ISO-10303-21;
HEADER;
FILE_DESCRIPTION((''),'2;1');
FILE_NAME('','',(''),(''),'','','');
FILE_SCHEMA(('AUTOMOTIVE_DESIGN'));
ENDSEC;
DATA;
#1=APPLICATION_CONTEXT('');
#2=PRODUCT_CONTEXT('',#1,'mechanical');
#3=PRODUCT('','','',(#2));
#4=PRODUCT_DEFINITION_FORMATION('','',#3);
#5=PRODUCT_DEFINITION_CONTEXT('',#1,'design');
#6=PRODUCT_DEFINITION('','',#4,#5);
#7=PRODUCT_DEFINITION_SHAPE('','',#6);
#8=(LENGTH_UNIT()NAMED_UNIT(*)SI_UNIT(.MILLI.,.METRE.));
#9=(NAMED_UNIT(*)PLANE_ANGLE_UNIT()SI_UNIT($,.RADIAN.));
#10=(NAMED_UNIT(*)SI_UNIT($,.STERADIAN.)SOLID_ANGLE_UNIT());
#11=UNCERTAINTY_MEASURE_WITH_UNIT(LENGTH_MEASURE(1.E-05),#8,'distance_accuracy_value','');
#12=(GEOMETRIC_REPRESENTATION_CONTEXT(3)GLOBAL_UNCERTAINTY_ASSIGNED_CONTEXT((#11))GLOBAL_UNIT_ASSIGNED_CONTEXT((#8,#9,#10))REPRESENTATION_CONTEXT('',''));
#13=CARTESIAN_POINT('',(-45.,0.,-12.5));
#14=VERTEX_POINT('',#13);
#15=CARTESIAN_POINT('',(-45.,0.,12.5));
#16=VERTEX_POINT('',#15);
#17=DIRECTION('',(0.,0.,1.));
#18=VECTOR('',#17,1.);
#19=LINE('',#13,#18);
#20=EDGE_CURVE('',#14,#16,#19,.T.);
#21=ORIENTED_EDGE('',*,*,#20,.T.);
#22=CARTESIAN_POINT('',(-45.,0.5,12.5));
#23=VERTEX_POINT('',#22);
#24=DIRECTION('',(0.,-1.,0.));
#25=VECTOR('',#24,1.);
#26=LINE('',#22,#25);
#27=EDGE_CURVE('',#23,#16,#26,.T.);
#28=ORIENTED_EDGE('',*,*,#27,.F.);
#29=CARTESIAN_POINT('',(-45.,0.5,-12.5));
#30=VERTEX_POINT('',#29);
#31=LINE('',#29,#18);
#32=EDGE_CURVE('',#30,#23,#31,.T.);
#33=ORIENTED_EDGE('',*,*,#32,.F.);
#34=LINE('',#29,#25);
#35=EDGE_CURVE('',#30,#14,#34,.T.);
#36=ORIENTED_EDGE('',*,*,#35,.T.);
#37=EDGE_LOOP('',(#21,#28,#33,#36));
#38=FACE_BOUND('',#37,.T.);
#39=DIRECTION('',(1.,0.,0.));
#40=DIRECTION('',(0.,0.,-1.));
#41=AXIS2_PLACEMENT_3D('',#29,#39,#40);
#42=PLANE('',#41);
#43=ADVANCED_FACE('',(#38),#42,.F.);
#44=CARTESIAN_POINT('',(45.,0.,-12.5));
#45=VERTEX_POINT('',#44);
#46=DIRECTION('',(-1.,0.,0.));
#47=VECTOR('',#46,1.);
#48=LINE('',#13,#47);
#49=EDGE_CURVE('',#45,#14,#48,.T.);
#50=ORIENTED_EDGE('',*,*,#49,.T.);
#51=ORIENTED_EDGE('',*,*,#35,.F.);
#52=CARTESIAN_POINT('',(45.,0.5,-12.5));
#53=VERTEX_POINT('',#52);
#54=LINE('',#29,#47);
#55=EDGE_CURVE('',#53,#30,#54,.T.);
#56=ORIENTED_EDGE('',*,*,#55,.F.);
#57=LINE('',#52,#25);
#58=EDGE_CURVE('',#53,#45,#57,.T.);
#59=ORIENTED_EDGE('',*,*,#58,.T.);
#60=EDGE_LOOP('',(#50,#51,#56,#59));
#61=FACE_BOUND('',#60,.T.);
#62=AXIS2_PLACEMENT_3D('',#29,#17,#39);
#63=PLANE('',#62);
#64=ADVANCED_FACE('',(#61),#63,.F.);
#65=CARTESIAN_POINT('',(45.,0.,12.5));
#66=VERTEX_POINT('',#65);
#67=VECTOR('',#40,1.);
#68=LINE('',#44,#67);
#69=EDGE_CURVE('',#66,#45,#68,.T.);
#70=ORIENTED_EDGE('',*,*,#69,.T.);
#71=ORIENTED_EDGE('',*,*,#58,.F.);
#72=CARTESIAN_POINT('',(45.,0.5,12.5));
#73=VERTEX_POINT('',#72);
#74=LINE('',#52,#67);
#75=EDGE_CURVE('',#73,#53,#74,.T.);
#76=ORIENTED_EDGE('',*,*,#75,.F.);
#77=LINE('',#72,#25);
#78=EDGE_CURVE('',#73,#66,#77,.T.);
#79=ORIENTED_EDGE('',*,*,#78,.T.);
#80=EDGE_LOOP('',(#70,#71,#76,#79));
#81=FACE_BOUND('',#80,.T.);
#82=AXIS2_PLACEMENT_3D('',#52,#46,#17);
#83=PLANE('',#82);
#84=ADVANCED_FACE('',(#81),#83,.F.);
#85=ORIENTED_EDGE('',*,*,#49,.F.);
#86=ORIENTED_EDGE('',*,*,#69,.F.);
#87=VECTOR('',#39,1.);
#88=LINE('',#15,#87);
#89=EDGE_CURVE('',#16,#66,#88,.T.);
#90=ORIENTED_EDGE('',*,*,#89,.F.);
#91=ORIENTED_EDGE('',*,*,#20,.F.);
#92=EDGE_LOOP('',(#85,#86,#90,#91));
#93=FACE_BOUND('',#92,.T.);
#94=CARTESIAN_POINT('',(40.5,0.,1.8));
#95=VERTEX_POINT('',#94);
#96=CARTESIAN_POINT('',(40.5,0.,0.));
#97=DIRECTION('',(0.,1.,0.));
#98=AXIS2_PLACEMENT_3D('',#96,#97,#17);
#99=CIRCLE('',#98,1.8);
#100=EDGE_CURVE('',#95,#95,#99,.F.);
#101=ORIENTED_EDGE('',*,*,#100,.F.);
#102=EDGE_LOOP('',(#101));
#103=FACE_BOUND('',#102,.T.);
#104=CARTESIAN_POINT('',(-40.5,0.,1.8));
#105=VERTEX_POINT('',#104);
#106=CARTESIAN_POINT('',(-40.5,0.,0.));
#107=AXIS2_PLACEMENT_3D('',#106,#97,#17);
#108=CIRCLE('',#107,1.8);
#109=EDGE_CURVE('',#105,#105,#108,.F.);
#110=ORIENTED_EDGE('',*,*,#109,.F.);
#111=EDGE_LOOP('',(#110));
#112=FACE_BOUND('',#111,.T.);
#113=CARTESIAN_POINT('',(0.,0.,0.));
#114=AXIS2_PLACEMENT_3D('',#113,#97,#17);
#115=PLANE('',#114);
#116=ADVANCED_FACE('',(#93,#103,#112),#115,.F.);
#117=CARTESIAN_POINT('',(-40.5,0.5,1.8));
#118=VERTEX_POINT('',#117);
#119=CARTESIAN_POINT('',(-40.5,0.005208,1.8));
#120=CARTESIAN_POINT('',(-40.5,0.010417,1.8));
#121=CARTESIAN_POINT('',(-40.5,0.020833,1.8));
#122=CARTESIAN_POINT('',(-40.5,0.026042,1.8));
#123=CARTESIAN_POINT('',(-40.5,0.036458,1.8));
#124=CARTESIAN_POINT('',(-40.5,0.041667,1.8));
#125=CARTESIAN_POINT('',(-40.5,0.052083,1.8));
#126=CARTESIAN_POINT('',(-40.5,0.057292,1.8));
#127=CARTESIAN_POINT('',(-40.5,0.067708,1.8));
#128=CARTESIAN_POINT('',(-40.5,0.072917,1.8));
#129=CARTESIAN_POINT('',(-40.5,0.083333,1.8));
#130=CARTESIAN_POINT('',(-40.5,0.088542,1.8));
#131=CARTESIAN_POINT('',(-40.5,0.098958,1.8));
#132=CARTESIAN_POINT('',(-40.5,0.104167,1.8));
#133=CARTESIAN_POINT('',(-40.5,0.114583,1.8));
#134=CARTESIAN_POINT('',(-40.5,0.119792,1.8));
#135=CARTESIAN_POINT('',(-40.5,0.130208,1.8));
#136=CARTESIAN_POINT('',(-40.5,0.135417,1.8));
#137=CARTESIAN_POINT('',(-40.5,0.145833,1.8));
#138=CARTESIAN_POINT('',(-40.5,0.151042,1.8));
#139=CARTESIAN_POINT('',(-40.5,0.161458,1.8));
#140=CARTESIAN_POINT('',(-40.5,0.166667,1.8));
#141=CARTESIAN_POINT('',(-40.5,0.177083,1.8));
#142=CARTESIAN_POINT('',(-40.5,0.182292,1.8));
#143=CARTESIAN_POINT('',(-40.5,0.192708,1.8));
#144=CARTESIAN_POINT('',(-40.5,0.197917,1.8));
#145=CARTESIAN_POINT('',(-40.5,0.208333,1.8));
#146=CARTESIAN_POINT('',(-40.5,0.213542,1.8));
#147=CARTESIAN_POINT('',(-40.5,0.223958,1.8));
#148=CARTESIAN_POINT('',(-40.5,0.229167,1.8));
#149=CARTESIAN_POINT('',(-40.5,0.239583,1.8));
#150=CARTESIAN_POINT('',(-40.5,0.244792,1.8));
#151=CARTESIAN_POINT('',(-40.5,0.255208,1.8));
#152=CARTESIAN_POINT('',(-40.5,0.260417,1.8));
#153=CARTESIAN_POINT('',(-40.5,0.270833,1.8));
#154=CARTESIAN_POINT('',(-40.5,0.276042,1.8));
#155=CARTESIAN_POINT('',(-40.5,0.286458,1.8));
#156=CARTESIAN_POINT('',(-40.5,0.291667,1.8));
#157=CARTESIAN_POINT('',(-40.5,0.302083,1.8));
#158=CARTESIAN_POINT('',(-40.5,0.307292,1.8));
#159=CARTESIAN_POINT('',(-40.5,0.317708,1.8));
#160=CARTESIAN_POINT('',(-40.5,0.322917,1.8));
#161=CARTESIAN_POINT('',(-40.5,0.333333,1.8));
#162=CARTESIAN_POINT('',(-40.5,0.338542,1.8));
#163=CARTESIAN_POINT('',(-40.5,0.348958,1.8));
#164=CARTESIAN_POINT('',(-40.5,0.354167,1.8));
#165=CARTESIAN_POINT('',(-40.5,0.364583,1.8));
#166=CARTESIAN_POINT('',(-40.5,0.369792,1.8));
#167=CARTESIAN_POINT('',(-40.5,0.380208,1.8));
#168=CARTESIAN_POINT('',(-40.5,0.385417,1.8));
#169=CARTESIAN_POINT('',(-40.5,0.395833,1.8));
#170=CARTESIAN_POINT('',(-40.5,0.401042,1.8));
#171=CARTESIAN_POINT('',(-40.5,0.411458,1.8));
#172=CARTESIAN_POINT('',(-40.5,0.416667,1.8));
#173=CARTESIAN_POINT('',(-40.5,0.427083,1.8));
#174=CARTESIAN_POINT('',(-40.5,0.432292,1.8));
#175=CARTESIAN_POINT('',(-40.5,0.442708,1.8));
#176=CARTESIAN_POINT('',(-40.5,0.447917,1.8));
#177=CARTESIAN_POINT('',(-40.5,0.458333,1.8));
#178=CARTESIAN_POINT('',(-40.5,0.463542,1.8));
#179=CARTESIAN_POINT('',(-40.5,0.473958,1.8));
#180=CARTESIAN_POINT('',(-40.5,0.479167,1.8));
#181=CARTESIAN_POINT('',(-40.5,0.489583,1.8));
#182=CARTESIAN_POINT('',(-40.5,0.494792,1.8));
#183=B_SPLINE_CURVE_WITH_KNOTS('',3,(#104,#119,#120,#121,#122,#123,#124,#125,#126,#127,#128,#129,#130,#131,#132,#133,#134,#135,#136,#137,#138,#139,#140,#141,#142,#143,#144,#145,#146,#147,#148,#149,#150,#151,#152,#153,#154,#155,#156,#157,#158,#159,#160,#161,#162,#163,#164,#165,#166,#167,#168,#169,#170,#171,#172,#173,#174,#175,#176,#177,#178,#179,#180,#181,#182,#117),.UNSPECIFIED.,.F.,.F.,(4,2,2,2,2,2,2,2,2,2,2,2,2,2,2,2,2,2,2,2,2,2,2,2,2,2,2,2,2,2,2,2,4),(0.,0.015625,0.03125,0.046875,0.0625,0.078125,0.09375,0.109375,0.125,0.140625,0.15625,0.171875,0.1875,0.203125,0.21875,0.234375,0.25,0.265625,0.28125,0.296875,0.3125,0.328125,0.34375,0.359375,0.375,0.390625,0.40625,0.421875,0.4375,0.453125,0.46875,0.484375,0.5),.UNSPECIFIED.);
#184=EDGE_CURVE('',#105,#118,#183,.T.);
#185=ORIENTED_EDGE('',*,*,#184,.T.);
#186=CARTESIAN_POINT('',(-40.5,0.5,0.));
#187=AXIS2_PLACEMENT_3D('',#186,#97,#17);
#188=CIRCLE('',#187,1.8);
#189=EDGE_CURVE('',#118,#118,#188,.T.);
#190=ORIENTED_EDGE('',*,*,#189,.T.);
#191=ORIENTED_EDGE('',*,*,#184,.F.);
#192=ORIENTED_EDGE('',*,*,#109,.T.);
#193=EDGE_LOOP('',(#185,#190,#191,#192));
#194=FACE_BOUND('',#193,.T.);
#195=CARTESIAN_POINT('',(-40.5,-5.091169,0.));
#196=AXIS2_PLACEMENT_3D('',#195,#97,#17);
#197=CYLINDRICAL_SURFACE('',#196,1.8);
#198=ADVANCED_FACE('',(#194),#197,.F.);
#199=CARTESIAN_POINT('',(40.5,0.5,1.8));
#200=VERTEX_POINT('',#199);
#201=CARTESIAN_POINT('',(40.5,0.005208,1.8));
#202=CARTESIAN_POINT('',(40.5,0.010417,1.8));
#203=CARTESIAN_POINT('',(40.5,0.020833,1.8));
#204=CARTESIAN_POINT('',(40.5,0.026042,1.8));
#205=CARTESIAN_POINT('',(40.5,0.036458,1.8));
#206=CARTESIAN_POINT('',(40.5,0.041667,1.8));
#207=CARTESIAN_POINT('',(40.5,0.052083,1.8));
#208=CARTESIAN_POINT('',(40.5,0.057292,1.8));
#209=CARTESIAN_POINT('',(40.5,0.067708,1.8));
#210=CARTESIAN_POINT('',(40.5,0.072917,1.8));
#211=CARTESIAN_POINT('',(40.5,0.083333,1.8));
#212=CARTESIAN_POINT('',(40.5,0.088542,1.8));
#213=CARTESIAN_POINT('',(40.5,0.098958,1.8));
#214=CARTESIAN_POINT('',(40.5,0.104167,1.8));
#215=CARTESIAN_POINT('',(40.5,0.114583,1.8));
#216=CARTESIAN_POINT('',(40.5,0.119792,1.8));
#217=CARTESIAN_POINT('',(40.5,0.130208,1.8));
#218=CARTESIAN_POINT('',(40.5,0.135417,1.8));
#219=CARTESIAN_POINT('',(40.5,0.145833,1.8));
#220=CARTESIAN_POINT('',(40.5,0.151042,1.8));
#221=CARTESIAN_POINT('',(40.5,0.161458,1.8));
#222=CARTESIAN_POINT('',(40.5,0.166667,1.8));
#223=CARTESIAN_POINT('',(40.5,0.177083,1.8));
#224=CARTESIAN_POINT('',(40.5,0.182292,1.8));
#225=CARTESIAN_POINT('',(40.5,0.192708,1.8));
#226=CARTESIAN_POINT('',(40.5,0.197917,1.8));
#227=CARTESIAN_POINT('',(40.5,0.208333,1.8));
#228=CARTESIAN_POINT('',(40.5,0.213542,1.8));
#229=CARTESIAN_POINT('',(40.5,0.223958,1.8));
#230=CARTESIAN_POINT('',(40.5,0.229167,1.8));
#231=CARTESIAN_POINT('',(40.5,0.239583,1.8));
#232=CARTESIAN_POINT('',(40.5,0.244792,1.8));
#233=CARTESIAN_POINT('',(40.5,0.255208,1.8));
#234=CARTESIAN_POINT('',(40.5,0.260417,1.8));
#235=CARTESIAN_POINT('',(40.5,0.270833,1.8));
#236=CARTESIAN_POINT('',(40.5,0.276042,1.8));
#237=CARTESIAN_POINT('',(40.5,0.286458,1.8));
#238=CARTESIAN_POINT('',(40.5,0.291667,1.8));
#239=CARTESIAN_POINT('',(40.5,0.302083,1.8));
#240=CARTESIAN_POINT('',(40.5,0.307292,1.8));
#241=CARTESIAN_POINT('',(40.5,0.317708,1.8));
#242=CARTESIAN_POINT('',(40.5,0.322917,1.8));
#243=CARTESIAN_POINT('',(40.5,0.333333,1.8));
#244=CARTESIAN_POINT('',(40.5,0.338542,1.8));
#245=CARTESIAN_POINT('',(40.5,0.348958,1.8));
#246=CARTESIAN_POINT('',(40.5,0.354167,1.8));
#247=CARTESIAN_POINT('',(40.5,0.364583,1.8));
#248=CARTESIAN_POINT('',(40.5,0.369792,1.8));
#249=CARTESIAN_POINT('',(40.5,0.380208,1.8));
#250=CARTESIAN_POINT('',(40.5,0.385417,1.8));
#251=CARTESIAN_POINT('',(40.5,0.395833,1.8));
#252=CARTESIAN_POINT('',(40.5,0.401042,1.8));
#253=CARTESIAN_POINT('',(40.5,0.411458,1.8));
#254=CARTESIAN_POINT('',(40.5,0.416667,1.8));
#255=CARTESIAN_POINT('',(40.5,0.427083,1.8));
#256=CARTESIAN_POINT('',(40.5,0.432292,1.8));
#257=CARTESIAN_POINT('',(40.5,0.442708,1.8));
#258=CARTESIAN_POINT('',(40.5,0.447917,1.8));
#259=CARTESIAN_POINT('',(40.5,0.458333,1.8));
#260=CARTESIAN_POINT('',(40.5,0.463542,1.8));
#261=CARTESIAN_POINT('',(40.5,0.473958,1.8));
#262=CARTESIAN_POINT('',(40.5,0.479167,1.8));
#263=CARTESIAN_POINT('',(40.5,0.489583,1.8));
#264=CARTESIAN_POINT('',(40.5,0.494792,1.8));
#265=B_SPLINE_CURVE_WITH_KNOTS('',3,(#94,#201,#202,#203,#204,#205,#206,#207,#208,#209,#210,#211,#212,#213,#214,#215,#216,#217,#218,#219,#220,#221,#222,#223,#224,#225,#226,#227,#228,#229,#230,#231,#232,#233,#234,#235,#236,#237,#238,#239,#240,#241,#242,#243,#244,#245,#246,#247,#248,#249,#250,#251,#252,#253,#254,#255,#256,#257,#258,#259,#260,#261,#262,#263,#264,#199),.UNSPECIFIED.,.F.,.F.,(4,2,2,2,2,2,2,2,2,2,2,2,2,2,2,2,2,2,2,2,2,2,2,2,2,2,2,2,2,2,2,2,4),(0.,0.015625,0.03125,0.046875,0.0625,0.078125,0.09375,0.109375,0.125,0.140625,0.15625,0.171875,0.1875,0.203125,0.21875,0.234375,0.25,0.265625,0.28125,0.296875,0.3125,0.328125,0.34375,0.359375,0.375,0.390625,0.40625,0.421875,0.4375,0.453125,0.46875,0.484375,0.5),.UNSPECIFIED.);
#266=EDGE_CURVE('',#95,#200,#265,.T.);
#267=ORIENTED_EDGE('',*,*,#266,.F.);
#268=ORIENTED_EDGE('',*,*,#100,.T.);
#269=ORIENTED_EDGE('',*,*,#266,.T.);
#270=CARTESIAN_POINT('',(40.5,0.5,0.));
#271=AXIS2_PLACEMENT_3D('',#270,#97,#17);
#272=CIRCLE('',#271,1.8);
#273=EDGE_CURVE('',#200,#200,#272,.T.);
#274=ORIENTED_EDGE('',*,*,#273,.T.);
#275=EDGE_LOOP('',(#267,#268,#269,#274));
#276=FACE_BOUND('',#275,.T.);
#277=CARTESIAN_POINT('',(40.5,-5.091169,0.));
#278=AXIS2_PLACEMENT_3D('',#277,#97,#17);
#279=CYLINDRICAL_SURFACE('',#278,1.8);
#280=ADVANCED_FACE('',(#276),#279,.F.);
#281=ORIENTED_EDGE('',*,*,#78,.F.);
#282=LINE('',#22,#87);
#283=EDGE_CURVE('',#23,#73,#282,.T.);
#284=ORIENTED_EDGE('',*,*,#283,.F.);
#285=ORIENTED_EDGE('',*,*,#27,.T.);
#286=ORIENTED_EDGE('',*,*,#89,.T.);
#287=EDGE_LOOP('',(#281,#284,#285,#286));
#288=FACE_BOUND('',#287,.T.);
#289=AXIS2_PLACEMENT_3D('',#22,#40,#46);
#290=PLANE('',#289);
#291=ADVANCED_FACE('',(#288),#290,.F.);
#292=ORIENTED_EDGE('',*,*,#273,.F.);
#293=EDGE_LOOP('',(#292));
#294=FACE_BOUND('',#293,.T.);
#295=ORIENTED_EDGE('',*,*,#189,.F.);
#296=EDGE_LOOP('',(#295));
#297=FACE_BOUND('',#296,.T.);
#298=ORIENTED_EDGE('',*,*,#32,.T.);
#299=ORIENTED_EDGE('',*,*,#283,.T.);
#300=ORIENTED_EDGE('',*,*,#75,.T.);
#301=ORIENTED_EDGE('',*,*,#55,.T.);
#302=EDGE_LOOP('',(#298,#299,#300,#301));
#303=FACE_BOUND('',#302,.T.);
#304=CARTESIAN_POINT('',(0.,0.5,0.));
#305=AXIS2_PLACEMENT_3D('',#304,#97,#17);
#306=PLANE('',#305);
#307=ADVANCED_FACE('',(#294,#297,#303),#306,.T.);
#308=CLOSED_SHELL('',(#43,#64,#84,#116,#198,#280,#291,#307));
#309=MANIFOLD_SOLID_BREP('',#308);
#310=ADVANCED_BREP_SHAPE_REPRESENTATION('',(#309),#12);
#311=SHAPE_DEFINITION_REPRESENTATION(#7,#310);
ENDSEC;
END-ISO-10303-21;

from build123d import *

# Parameters (mm, degrees)
CROQUIS1_W              = 90
CROQUIS1_H              = 25
SALIENTE_EXTRUIR1_DEPTH = 0.5
CROQUIS2_R              = 1.8
CORTAR_EXTRUIR1_DEPTH   = 0.5


with BuildPart() as part:
    # Croquis1 → Saliente-Extruir1 (new body)
    with BuildSketch(Plane(origin=(0, 0, 0), x_dir=(1, 0, 0), z_dir=(0, 1, 0))):
        Rectangle(CROQUIS1_W, CROQUIS1_H)
    extrude(amount=SALIENTE_EXTRUIR1_DEPTH)

    # Croquis2 → Cortar-Extruir1 (cut)
    with BuildSketch(Plane(origin=(0, 0.5, 0), x_dir=(1, 0, 0), z_dir=(0, 1, 0))):
        with Locations(Location((-40.5, 0, 0), (0, 0, 270))):
            Circle(CROQUIS2_R)
        with Locations(Location((40.5, 0, 0), (0, 0, 270))):
            Circle(CROQUIS2_R)
    extrude(amount=-CORTAR_EXTRUIR1_DEPTH, mode=Mode.SUBTRACT)


solid = part.part
